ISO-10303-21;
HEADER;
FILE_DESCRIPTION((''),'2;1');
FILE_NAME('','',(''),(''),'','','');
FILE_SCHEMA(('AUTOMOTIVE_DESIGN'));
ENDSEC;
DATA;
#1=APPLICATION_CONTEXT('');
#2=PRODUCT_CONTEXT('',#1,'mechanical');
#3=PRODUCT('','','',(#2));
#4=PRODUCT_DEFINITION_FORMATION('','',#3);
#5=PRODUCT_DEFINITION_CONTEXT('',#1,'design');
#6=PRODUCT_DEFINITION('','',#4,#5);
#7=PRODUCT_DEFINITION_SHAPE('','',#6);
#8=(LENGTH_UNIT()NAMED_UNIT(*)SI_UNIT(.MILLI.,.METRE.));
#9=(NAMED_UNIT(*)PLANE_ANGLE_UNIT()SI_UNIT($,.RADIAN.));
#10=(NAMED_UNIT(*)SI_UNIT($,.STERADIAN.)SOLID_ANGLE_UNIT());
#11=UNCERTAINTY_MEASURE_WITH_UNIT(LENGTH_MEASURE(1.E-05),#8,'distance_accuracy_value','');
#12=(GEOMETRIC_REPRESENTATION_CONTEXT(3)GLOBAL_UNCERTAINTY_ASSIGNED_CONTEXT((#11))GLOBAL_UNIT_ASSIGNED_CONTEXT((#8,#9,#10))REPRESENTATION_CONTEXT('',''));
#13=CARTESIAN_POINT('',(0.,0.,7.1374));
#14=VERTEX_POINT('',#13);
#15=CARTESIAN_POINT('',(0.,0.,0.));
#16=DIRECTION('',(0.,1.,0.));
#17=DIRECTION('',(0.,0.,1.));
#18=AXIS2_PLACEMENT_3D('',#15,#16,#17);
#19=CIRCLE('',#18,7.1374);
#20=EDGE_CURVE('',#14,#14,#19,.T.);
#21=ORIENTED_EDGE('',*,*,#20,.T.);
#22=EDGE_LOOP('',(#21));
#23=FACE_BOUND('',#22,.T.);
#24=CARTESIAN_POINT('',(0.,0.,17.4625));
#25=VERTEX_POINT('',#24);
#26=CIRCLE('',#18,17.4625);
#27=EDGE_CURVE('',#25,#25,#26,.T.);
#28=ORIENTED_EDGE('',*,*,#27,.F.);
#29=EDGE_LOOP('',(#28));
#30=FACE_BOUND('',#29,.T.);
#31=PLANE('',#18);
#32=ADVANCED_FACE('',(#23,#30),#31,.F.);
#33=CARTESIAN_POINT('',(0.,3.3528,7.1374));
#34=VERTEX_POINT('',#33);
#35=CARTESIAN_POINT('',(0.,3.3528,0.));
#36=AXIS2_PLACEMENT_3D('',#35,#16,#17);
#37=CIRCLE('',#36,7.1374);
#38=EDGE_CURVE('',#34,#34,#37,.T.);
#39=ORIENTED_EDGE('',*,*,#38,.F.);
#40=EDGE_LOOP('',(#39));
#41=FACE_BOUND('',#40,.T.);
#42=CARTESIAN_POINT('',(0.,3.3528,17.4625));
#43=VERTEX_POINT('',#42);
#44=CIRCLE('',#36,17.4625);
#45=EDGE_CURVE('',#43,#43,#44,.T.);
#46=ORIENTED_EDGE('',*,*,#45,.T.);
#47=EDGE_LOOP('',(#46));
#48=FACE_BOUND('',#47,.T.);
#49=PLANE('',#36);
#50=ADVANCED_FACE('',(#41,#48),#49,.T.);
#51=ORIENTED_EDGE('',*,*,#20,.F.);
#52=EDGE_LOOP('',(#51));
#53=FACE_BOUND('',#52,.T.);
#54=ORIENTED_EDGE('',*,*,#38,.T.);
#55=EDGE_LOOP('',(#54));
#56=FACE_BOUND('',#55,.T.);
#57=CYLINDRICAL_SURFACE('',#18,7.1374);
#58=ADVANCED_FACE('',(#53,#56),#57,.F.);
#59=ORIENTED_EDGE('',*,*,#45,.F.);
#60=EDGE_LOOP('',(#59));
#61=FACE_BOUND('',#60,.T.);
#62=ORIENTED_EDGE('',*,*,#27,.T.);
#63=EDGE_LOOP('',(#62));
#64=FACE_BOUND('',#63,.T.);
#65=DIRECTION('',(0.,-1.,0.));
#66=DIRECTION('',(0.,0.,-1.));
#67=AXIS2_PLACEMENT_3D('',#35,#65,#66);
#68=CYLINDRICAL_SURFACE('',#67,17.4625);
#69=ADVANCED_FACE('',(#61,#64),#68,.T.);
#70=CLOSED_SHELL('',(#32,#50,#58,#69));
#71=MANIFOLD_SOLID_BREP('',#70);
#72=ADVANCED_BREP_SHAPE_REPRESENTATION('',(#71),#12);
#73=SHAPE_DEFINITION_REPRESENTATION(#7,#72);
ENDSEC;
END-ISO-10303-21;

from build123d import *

# Parameters (mm, degrees)
SKETCH1_R           = 17.4625
BOSS_EXTRUDE1_DEPTH = 3.3528
SKETCH5_R           = 7.1374
CUT_EXTRUDE1_DEPTH  = 4.3528


with BuildPart() as part:
    # Sketch1 → Boss-Extrude1 (new body)
    with BuildSketch(Plane(origin=(0, 0, 0), x_dir=(1, 0, 0), z_dir=(0, 1, 0))):
        Circle(SKETCH1_R)
    extrude(amount=BOSS_EXTRUDE1_DEPTH)

    # Sketch5 → Cut-Extrude1 (cut, through all)
    with BuildSketch(Plane(origin=(0, 3.3528, 0), x_dir=(-1, 0, 0), z_dir=(0, 1, 0))):
        Circle(SKETCH5_R)
    extrude(amount=-CUT_EXTRUDE1_DEPTH, mode=Mode.SUBTRACT)


solid = part.part
